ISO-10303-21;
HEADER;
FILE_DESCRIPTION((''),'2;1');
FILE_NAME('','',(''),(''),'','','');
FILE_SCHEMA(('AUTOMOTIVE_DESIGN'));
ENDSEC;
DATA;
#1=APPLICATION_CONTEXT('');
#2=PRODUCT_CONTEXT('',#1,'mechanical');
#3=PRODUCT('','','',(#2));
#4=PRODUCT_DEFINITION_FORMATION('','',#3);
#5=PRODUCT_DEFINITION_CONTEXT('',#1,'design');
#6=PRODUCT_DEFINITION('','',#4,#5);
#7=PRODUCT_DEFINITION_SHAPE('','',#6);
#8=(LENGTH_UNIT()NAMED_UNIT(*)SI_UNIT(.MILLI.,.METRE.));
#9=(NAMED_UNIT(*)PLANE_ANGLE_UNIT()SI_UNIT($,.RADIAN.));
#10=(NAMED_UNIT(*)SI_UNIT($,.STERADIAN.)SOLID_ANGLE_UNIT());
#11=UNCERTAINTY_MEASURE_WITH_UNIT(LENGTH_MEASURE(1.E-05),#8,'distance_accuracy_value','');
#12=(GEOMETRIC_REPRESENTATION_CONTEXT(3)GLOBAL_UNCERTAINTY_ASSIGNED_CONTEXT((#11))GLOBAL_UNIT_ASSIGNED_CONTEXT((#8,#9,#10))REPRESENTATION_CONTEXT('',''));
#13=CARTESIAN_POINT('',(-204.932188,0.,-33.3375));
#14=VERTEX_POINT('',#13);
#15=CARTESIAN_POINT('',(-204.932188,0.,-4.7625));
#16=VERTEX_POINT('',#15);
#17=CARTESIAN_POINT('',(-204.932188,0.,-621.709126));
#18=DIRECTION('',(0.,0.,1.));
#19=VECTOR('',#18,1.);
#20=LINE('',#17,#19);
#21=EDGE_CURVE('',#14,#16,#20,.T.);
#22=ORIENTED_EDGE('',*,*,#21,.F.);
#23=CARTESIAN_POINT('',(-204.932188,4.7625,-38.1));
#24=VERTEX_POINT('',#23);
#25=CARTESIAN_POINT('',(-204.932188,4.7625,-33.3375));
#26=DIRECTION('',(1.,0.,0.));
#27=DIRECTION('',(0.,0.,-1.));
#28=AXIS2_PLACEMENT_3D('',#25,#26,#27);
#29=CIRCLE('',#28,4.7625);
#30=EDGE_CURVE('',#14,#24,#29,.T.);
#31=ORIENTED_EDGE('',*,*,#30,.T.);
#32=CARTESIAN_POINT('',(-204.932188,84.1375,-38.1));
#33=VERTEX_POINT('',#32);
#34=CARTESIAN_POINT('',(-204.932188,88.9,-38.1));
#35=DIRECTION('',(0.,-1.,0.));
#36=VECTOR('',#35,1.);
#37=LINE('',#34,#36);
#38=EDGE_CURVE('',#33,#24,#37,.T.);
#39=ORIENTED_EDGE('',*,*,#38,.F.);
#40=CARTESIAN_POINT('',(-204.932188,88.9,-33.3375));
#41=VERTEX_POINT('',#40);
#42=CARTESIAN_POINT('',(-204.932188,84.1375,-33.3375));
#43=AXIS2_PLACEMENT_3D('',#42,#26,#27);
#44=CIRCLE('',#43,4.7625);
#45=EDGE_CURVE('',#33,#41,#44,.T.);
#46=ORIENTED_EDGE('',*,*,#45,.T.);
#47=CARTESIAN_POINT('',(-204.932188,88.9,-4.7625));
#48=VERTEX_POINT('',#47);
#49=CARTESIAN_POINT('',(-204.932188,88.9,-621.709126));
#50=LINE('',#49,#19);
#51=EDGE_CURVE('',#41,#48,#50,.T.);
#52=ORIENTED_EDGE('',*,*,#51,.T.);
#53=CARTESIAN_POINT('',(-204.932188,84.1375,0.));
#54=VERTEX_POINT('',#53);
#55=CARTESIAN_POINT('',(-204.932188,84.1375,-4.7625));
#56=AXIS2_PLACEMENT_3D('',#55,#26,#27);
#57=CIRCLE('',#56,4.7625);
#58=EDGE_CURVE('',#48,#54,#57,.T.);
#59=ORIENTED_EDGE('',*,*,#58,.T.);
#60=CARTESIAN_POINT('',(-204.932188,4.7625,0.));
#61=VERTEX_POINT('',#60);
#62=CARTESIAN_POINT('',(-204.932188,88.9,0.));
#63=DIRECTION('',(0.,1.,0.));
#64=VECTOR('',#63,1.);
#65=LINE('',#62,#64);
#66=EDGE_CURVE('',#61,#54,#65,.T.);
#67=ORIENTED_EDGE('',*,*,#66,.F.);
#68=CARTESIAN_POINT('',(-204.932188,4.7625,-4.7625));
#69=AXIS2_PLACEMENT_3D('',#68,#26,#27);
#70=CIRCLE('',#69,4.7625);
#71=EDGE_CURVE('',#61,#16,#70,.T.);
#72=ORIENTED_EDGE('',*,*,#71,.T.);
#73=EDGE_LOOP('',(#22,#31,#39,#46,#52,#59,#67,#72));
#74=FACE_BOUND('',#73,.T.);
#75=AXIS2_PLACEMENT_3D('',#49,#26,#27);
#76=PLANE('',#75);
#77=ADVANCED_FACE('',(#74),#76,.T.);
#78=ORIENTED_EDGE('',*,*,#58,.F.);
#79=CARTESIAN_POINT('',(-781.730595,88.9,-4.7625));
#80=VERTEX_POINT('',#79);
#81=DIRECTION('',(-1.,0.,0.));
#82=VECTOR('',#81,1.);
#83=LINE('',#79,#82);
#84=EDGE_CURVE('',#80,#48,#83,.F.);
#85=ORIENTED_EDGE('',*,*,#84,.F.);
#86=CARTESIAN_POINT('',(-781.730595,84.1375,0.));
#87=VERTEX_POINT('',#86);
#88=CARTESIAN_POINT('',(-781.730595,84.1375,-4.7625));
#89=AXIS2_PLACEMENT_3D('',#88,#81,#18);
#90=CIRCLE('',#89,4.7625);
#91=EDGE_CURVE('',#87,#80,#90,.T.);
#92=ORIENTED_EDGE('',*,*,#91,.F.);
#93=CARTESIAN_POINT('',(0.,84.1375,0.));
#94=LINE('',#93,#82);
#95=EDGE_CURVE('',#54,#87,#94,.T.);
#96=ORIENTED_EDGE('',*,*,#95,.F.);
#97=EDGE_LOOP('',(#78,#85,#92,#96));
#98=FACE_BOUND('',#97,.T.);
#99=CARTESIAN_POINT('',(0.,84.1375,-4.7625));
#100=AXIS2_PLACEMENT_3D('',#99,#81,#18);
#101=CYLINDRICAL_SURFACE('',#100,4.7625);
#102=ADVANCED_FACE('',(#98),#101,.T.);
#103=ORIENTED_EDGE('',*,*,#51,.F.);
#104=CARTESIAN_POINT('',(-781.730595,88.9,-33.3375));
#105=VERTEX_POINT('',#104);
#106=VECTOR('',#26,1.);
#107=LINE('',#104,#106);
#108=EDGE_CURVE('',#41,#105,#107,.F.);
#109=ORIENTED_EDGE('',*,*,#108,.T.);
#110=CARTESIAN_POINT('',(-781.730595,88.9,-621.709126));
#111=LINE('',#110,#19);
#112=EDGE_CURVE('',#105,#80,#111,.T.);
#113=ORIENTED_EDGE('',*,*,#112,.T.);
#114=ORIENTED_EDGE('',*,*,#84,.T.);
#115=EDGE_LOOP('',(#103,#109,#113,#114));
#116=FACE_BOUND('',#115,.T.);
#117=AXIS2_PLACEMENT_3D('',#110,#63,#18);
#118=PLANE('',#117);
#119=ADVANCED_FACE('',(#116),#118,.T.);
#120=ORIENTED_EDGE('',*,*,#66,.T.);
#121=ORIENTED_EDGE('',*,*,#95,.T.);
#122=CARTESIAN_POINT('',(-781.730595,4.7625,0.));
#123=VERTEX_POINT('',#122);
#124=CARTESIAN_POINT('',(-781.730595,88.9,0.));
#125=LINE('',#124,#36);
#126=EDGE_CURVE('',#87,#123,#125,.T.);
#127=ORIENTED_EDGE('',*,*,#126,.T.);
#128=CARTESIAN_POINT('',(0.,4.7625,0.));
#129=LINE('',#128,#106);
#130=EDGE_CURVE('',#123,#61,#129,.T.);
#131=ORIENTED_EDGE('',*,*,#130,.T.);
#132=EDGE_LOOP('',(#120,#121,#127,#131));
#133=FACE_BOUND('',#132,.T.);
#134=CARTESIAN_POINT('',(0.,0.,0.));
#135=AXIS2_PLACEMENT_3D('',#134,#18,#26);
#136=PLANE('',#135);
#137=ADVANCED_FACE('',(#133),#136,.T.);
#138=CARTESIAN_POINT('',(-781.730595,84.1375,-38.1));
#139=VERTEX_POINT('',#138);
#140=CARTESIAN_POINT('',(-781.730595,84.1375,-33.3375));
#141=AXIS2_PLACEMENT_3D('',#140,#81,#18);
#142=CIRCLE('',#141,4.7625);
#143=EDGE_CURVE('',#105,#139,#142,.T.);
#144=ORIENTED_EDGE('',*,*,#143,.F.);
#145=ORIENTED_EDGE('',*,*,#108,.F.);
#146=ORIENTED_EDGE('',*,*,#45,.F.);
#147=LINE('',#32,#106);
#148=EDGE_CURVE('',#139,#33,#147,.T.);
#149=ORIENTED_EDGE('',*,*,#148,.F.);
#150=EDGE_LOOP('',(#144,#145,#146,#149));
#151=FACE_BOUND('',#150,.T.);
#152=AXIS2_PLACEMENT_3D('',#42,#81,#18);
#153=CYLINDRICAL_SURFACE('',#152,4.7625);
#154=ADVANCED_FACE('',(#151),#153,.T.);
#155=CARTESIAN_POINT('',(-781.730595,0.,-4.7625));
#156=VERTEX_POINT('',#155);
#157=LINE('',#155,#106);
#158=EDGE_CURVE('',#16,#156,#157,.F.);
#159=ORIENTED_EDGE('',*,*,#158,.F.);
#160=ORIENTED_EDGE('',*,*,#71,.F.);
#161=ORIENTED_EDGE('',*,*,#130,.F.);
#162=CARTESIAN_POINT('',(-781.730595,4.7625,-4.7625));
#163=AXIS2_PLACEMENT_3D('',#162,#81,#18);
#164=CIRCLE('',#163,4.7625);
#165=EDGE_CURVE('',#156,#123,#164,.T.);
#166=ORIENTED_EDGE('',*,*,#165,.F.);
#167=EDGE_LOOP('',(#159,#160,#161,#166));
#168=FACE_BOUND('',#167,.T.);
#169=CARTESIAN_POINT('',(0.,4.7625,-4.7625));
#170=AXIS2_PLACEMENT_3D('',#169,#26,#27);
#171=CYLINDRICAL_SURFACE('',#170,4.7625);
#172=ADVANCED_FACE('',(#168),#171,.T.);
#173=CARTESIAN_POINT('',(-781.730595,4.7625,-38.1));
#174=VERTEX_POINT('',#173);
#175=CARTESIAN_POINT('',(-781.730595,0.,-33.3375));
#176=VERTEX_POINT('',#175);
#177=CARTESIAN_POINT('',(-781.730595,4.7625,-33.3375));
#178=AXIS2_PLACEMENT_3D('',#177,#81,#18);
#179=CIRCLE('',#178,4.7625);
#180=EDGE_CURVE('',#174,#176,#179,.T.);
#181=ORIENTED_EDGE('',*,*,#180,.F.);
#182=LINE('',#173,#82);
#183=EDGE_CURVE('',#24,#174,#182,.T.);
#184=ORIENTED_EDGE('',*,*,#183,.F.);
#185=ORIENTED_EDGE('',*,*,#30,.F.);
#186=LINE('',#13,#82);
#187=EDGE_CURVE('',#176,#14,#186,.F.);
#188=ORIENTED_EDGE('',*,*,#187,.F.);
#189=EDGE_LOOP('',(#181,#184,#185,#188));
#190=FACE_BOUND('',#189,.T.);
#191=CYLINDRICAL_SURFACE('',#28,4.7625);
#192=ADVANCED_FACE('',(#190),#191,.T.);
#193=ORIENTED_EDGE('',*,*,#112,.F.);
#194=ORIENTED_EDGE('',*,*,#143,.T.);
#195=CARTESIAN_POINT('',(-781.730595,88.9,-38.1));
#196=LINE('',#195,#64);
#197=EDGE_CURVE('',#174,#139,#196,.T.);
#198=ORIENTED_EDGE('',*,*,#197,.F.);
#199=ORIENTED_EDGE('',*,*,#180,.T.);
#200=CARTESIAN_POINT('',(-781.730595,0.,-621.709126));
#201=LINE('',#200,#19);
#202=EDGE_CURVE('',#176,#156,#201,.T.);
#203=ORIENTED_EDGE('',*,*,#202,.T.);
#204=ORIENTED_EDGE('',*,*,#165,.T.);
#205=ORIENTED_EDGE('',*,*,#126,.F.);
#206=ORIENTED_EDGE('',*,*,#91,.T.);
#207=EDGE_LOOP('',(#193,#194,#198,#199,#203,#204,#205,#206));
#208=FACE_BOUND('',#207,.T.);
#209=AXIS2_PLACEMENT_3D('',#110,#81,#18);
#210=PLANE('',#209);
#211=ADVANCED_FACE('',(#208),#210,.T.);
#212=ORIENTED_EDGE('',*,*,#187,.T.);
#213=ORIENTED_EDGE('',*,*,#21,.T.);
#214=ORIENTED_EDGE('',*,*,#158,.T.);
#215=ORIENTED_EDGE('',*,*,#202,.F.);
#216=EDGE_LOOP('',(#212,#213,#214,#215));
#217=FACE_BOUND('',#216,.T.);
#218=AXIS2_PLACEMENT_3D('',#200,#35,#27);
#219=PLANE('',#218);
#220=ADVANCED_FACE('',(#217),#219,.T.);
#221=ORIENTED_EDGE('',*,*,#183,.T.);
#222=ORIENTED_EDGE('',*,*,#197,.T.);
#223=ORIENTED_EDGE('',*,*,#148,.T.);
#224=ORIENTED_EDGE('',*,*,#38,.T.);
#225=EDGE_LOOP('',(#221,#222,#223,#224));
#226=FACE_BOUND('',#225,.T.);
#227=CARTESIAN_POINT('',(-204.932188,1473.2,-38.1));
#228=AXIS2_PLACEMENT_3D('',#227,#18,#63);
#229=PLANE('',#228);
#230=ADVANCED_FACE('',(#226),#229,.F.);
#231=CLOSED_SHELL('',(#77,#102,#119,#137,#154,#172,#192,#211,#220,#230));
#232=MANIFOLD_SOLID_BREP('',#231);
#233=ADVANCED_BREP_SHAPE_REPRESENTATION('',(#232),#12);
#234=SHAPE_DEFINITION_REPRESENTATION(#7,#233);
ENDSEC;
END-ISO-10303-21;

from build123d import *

# Parameters (mm, degrees)
SKETCH1_W           = 576.798406726
SKETCH1_H           = 88.9
BOSS_EXTRUDE1_DEPTH = 38.1
FILLET1_R           = 4.7625


with BuildPart() as part:
    # Sketch1 → Boss-Extrude1 (new body)
    with BuildSketch(Plane.XY):
        with Locations((-493.331391288, 44.45)):
            Rectangle(SKETCH1_W, SKETCH1_H)
    extrude(amount=-BOSS_EXTRUDE1_DEPTH)

    # Fillet1
    fillet1_edges = [part.edges().sort_by_distance(p)[0] for p in [
        (-493.331391288, 88.9, -38.1),
        (-493.331391288, 0, -38.1),
        (-493.331391288, 88.9, 0),
        (-493.331391288, 0, 0),
    ]]
    fillet(fillet1_edges, radius=FILLET1_R)


solid = part.part
